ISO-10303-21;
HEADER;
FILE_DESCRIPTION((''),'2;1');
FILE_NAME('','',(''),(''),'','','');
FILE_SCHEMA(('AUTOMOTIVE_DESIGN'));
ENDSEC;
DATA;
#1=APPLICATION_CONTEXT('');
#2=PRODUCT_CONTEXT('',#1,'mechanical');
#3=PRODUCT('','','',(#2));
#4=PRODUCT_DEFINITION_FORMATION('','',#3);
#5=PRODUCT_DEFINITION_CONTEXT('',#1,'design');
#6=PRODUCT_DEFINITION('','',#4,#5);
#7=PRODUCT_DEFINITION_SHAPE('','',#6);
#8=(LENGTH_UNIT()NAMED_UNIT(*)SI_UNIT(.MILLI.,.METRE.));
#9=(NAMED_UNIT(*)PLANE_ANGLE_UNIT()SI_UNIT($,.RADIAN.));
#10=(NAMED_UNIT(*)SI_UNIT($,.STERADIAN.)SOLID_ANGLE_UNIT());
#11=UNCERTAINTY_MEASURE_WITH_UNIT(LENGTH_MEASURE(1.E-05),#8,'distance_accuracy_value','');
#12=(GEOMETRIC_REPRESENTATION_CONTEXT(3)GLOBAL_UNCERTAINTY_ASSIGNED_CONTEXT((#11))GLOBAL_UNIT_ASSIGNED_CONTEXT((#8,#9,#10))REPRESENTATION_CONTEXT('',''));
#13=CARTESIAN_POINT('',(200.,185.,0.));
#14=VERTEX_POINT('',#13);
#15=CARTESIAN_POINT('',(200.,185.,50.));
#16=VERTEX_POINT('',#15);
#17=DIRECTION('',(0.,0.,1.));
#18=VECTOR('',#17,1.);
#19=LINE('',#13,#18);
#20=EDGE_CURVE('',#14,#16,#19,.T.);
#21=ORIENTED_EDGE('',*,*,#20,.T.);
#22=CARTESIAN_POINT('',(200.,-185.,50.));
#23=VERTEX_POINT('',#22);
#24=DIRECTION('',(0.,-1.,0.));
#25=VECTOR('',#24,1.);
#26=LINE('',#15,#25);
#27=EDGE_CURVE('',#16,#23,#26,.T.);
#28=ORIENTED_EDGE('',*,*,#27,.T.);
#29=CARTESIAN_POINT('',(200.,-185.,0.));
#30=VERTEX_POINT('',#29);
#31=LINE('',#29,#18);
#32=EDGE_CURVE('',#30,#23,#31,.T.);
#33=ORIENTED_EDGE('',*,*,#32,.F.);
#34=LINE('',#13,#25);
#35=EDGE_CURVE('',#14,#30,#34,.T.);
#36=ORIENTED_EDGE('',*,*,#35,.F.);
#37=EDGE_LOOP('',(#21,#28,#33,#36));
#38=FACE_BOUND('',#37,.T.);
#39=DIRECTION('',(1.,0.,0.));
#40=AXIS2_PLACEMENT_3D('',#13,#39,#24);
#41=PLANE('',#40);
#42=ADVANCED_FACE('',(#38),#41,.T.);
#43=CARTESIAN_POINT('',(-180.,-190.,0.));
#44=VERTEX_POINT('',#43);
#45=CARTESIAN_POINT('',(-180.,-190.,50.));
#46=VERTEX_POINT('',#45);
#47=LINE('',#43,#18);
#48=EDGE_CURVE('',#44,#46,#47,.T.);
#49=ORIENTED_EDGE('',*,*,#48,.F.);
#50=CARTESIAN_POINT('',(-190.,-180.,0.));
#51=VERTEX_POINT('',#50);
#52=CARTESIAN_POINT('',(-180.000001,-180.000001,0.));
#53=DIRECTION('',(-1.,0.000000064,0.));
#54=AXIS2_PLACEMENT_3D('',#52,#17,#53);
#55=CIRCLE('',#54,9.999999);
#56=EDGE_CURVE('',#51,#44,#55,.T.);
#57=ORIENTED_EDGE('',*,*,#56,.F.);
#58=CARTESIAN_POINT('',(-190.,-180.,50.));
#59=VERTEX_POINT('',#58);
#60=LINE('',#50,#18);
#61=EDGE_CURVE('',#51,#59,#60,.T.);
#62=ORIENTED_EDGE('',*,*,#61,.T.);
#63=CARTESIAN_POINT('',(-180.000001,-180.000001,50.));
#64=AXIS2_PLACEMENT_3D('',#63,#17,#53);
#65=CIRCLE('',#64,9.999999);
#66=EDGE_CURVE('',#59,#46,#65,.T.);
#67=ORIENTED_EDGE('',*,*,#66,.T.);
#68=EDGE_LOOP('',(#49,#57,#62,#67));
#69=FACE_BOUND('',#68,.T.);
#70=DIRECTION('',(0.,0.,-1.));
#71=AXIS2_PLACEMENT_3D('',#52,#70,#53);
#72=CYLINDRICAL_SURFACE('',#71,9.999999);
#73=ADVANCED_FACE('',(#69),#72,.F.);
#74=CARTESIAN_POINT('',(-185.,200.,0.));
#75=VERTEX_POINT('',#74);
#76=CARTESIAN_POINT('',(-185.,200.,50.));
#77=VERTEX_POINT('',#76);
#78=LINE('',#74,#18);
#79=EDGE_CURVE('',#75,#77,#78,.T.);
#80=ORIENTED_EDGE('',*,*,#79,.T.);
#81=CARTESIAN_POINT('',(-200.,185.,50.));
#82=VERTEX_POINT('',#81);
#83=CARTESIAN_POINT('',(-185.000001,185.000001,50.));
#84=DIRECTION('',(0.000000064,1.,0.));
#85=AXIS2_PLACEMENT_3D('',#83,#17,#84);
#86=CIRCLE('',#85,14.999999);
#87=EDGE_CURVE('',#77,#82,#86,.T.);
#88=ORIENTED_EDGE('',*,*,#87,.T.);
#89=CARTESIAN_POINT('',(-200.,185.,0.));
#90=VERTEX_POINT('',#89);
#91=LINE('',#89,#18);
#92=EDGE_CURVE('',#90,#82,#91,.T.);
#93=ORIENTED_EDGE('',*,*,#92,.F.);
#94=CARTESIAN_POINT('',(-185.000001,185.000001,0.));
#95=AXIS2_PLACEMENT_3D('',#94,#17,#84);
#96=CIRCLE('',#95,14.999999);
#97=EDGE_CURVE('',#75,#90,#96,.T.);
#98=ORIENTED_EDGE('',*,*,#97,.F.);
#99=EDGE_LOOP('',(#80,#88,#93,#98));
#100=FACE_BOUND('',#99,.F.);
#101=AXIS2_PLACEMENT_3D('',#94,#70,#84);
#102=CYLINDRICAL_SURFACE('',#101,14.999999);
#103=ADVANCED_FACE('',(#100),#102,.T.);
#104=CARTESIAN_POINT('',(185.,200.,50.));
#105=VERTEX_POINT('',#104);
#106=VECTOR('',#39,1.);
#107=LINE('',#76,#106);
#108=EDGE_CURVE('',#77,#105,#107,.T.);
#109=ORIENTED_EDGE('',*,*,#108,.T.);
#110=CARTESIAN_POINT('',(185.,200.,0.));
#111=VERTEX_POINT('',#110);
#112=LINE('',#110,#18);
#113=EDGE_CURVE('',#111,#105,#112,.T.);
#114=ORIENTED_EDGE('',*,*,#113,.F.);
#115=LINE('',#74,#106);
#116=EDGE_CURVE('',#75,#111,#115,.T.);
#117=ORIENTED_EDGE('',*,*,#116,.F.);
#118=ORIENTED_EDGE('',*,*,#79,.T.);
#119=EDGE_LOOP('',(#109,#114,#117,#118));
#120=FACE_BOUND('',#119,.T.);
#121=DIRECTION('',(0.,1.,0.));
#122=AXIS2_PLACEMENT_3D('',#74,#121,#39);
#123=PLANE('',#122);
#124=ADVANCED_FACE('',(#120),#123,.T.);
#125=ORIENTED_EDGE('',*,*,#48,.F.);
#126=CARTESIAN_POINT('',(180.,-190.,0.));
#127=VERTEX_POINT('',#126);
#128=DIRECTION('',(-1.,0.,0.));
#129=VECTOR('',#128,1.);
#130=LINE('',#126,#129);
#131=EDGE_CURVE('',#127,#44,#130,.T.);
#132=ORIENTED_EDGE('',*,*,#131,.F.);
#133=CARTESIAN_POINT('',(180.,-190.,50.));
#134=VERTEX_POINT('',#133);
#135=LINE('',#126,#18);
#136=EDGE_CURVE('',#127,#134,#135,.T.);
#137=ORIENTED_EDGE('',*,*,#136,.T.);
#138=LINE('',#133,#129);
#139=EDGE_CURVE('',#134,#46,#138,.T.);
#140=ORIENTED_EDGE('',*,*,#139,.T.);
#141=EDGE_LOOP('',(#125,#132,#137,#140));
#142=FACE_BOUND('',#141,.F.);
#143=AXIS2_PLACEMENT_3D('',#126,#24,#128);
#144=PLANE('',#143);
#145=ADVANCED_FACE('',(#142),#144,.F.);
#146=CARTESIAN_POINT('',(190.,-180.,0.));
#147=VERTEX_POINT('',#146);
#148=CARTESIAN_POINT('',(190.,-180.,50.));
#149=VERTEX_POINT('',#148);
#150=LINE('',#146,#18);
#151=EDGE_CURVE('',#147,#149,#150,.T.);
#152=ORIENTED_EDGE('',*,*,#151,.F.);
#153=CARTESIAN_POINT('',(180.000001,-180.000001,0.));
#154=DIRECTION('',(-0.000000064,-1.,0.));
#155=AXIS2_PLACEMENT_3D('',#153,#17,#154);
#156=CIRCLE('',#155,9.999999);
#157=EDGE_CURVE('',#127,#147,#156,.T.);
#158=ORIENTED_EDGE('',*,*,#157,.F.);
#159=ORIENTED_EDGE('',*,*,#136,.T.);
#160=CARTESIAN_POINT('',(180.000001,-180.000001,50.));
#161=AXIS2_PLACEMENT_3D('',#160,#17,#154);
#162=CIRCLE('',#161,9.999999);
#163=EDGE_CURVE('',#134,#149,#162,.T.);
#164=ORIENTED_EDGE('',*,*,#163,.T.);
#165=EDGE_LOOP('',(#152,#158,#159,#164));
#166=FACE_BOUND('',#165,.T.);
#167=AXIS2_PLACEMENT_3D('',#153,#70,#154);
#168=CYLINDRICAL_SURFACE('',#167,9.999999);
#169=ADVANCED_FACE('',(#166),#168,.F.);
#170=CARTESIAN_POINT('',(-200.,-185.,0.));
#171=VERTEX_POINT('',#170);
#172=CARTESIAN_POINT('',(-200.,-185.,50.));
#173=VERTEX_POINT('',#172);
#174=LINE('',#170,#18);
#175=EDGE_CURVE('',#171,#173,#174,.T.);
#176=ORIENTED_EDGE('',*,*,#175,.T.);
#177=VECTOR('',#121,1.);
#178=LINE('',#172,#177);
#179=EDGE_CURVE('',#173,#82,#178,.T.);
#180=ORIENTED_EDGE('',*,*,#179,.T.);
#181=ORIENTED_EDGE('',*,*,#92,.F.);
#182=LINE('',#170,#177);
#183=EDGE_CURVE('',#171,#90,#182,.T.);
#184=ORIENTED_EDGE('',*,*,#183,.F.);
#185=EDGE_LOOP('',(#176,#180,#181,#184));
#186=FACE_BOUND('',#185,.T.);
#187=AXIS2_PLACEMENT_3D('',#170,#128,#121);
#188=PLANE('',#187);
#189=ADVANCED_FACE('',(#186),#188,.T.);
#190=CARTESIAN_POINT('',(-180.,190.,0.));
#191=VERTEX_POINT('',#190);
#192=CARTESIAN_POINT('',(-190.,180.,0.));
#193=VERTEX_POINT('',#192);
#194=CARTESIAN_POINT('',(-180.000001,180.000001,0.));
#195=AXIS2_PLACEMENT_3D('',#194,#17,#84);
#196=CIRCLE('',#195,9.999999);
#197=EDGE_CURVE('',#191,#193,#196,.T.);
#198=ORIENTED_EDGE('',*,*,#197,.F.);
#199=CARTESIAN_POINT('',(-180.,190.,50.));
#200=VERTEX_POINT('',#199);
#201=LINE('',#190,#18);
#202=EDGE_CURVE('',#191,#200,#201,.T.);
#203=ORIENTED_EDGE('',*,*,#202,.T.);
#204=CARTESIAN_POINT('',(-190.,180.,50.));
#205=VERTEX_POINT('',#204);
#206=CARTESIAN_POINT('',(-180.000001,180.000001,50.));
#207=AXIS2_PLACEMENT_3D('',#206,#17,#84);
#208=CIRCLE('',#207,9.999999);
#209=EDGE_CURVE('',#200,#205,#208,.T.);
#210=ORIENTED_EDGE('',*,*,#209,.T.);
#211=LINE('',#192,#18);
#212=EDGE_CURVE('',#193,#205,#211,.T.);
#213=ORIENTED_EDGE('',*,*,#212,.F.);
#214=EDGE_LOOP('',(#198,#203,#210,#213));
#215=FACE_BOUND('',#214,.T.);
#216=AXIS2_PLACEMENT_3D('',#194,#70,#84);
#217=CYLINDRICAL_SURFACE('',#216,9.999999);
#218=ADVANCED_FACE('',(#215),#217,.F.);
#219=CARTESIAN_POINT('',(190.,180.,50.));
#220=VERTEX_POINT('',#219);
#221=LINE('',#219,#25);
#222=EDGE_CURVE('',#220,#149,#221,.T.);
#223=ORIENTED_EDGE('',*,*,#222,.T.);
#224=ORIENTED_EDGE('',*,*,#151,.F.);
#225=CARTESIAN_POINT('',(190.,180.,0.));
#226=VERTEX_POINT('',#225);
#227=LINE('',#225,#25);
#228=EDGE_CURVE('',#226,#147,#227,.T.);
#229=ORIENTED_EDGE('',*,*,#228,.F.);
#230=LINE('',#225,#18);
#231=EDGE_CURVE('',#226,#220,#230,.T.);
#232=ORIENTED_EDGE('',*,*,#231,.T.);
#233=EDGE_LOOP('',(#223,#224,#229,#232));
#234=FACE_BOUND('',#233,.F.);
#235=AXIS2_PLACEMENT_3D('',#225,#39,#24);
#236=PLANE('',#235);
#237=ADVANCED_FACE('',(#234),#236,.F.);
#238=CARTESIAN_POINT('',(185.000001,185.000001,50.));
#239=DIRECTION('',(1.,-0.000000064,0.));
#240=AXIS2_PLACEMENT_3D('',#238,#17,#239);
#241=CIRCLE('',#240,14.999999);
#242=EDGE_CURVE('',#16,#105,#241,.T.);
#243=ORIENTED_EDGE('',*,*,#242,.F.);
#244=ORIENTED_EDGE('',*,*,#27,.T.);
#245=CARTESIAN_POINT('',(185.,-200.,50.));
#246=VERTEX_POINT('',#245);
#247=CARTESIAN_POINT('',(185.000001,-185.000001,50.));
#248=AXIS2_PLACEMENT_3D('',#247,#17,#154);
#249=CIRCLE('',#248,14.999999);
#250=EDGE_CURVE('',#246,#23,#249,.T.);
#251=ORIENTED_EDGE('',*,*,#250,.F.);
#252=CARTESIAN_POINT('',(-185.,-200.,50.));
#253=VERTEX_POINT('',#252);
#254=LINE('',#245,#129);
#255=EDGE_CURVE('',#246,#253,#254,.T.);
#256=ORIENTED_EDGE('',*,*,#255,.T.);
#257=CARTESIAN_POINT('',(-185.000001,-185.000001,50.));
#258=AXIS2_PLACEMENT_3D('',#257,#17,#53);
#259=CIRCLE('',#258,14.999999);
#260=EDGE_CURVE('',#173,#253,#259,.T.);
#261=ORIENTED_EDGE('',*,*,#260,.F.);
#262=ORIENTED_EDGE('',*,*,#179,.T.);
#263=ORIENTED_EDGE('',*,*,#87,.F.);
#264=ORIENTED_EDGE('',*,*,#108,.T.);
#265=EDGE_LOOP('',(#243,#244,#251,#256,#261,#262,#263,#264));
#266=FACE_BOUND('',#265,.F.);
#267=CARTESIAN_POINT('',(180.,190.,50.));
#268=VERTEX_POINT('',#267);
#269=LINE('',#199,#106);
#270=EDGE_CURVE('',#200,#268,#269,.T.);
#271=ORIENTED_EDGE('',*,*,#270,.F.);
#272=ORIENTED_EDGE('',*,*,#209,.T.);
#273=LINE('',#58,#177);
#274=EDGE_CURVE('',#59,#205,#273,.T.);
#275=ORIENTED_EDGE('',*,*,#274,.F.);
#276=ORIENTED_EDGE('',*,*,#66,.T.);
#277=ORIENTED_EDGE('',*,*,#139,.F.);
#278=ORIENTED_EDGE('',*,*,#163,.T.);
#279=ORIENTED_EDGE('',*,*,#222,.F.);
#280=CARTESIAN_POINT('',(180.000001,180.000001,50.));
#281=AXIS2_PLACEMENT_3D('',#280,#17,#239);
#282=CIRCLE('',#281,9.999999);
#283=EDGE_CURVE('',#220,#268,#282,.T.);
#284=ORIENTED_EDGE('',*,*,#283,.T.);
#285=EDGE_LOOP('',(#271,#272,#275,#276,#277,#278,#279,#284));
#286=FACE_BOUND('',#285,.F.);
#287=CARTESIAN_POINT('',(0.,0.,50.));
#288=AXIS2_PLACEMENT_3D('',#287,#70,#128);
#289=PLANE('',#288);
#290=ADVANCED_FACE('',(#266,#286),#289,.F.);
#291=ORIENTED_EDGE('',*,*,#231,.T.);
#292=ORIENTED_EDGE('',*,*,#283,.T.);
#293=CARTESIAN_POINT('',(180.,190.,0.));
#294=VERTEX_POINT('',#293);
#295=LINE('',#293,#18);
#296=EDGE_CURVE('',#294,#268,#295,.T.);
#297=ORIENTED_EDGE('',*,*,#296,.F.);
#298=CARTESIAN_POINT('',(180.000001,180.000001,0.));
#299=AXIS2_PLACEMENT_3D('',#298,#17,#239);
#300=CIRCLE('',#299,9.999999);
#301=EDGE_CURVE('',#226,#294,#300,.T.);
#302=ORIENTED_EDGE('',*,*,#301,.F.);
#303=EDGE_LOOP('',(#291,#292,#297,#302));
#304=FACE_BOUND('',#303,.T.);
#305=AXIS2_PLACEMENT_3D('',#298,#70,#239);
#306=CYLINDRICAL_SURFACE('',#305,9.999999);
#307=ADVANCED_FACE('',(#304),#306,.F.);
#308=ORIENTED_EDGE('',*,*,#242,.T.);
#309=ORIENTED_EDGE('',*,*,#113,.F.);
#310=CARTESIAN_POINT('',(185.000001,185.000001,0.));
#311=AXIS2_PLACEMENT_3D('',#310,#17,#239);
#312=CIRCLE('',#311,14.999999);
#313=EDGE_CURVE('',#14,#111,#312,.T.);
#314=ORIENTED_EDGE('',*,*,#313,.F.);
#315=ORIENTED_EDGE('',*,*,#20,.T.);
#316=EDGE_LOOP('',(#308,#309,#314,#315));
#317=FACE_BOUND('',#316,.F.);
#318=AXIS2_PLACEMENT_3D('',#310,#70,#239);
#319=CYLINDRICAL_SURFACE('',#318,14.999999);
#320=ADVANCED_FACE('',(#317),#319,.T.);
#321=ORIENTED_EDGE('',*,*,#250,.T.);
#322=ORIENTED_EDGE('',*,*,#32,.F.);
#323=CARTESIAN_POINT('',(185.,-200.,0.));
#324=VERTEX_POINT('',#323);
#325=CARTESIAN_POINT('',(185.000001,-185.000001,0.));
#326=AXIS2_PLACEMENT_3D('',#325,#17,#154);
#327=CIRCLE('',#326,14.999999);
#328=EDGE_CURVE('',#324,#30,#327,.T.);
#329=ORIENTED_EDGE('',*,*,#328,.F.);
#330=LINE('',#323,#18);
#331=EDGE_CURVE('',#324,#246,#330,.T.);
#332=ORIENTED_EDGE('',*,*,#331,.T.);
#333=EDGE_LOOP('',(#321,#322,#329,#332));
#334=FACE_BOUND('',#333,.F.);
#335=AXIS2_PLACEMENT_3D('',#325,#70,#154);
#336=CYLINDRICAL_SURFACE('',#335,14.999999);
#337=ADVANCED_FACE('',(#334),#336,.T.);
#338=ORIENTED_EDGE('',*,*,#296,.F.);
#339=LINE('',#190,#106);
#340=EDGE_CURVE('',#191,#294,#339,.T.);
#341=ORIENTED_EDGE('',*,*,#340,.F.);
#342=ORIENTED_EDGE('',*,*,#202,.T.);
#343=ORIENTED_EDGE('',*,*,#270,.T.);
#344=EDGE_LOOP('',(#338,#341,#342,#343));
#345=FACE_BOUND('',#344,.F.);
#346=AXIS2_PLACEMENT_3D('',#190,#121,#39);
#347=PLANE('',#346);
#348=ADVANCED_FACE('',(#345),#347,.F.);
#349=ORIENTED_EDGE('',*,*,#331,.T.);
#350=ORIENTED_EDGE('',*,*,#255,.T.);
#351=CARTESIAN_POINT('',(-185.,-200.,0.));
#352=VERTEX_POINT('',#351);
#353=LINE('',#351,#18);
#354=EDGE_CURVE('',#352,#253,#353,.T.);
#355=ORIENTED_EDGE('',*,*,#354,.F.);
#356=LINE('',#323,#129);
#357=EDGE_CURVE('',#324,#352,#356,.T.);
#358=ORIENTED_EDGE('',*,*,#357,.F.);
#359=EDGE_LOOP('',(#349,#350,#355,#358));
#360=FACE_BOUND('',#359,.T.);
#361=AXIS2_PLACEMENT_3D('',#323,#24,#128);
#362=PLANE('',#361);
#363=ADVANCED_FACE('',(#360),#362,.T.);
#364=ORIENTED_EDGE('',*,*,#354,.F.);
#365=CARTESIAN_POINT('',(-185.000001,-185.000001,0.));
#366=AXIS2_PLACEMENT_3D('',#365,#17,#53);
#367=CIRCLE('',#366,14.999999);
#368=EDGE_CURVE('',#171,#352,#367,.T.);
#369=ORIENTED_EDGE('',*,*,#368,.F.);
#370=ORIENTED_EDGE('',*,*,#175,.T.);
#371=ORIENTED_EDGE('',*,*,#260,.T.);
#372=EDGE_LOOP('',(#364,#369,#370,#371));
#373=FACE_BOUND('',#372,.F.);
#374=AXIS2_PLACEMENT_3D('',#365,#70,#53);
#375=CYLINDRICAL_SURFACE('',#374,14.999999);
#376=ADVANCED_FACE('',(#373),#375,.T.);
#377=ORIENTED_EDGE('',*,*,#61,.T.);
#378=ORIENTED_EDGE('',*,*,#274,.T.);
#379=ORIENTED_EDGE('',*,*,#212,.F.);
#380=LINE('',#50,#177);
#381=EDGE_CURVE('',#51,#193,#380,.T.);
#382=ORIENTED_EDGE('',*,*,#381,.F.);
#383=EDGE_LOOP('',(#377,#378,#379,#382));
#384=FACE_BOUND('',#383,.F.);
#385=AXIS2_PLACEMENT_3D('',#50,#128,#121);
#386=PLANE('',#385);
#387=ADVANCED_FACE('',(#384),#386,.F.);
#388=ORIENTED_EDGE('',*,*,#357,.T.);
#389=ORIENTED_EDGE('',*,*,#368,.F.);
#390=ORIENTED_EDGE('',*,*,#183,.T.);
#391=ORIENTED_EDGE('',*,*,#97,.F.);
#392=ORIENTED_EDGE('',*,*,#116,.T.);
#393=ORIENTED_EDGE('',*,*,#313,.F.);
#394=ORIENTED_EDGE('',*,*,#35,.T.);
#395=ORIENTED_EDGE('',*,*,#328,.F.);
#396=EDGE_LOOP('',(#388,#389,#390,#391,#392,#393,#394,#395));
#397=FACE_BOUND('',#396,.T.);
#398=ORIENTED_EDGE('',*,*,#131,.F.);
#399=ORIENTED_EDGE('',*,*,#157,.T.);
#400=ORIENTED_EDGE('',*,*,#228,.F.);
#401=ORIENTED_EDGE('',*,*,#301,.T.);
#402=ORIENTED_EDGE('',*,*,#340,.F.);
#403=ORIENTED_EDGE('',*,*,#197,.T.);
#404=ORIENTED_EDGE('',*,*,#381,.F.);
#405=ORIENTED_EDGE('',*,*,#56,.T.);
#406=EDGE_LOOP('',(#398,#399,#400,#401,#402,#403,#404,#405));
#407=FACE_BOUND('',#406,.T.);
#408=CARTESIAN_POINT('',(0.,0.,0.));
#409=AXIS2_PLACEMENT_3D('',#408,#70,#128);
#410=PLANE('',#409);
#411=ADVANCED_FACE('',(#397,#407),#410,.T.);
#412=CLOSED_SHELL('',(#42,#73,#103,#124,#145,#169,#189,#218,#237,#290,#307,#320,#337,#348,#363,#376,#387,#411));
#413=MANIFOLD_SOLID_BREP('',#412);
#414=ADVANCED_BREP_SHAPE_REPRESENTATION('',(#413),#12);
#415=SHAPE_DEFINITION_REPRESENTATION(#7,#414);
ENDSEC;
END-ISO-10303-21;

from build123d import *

# Parameters (mm, degrees)
EXTRUDE_DEPTH = 50


with BuildPart() as part:
    # Sketch → Extrude (new body)
    with BuildSketch(Plane.XY):
        with BuildLine():
            Line((-185, 200), (185, 200))
            ThreePointArc((200, 185), (195.606602, 195.606602), (185, 200))
            Line((200, 185), (200, -185))
            ThreePointArc((185, -200), (195.606602, -195.606602), (200, -185))
            Line((185, -200), (-185, -200))
            ThreePointArc((-200, -185), (-195.606602, -195.606602), (-185, -200))
            Line((-200, -185), (-200, 185))
            ThreePointArc((-185, 200), (-195.606602, 195.606602), (-200, 185))
        make_face()
        with BuildLine():
            Line((-180, 190), (180, 190))
            ThreePointArc((190, 180), (187.071068, 187.071068), (180, 190))
            Line((190, 180), (190, -180))
            ThreePointArc((180, -190), (187.071068, -187.071068), (190, -180))
            Line((180, -190), (-180, -190))
            ThreePointArc((-190, -180), (-187.071068, -187.071068), (-180, -190))
            Line((-190, -180), (-190, 180))
            ThreePointArc((-180, 190), (-187.071068, 187.071068), (-190, 180))
        make_face(mode=Mode.SUBTRACT)
    extrude(amount=EXTRUDE_DEPTH)


solid = part.part
